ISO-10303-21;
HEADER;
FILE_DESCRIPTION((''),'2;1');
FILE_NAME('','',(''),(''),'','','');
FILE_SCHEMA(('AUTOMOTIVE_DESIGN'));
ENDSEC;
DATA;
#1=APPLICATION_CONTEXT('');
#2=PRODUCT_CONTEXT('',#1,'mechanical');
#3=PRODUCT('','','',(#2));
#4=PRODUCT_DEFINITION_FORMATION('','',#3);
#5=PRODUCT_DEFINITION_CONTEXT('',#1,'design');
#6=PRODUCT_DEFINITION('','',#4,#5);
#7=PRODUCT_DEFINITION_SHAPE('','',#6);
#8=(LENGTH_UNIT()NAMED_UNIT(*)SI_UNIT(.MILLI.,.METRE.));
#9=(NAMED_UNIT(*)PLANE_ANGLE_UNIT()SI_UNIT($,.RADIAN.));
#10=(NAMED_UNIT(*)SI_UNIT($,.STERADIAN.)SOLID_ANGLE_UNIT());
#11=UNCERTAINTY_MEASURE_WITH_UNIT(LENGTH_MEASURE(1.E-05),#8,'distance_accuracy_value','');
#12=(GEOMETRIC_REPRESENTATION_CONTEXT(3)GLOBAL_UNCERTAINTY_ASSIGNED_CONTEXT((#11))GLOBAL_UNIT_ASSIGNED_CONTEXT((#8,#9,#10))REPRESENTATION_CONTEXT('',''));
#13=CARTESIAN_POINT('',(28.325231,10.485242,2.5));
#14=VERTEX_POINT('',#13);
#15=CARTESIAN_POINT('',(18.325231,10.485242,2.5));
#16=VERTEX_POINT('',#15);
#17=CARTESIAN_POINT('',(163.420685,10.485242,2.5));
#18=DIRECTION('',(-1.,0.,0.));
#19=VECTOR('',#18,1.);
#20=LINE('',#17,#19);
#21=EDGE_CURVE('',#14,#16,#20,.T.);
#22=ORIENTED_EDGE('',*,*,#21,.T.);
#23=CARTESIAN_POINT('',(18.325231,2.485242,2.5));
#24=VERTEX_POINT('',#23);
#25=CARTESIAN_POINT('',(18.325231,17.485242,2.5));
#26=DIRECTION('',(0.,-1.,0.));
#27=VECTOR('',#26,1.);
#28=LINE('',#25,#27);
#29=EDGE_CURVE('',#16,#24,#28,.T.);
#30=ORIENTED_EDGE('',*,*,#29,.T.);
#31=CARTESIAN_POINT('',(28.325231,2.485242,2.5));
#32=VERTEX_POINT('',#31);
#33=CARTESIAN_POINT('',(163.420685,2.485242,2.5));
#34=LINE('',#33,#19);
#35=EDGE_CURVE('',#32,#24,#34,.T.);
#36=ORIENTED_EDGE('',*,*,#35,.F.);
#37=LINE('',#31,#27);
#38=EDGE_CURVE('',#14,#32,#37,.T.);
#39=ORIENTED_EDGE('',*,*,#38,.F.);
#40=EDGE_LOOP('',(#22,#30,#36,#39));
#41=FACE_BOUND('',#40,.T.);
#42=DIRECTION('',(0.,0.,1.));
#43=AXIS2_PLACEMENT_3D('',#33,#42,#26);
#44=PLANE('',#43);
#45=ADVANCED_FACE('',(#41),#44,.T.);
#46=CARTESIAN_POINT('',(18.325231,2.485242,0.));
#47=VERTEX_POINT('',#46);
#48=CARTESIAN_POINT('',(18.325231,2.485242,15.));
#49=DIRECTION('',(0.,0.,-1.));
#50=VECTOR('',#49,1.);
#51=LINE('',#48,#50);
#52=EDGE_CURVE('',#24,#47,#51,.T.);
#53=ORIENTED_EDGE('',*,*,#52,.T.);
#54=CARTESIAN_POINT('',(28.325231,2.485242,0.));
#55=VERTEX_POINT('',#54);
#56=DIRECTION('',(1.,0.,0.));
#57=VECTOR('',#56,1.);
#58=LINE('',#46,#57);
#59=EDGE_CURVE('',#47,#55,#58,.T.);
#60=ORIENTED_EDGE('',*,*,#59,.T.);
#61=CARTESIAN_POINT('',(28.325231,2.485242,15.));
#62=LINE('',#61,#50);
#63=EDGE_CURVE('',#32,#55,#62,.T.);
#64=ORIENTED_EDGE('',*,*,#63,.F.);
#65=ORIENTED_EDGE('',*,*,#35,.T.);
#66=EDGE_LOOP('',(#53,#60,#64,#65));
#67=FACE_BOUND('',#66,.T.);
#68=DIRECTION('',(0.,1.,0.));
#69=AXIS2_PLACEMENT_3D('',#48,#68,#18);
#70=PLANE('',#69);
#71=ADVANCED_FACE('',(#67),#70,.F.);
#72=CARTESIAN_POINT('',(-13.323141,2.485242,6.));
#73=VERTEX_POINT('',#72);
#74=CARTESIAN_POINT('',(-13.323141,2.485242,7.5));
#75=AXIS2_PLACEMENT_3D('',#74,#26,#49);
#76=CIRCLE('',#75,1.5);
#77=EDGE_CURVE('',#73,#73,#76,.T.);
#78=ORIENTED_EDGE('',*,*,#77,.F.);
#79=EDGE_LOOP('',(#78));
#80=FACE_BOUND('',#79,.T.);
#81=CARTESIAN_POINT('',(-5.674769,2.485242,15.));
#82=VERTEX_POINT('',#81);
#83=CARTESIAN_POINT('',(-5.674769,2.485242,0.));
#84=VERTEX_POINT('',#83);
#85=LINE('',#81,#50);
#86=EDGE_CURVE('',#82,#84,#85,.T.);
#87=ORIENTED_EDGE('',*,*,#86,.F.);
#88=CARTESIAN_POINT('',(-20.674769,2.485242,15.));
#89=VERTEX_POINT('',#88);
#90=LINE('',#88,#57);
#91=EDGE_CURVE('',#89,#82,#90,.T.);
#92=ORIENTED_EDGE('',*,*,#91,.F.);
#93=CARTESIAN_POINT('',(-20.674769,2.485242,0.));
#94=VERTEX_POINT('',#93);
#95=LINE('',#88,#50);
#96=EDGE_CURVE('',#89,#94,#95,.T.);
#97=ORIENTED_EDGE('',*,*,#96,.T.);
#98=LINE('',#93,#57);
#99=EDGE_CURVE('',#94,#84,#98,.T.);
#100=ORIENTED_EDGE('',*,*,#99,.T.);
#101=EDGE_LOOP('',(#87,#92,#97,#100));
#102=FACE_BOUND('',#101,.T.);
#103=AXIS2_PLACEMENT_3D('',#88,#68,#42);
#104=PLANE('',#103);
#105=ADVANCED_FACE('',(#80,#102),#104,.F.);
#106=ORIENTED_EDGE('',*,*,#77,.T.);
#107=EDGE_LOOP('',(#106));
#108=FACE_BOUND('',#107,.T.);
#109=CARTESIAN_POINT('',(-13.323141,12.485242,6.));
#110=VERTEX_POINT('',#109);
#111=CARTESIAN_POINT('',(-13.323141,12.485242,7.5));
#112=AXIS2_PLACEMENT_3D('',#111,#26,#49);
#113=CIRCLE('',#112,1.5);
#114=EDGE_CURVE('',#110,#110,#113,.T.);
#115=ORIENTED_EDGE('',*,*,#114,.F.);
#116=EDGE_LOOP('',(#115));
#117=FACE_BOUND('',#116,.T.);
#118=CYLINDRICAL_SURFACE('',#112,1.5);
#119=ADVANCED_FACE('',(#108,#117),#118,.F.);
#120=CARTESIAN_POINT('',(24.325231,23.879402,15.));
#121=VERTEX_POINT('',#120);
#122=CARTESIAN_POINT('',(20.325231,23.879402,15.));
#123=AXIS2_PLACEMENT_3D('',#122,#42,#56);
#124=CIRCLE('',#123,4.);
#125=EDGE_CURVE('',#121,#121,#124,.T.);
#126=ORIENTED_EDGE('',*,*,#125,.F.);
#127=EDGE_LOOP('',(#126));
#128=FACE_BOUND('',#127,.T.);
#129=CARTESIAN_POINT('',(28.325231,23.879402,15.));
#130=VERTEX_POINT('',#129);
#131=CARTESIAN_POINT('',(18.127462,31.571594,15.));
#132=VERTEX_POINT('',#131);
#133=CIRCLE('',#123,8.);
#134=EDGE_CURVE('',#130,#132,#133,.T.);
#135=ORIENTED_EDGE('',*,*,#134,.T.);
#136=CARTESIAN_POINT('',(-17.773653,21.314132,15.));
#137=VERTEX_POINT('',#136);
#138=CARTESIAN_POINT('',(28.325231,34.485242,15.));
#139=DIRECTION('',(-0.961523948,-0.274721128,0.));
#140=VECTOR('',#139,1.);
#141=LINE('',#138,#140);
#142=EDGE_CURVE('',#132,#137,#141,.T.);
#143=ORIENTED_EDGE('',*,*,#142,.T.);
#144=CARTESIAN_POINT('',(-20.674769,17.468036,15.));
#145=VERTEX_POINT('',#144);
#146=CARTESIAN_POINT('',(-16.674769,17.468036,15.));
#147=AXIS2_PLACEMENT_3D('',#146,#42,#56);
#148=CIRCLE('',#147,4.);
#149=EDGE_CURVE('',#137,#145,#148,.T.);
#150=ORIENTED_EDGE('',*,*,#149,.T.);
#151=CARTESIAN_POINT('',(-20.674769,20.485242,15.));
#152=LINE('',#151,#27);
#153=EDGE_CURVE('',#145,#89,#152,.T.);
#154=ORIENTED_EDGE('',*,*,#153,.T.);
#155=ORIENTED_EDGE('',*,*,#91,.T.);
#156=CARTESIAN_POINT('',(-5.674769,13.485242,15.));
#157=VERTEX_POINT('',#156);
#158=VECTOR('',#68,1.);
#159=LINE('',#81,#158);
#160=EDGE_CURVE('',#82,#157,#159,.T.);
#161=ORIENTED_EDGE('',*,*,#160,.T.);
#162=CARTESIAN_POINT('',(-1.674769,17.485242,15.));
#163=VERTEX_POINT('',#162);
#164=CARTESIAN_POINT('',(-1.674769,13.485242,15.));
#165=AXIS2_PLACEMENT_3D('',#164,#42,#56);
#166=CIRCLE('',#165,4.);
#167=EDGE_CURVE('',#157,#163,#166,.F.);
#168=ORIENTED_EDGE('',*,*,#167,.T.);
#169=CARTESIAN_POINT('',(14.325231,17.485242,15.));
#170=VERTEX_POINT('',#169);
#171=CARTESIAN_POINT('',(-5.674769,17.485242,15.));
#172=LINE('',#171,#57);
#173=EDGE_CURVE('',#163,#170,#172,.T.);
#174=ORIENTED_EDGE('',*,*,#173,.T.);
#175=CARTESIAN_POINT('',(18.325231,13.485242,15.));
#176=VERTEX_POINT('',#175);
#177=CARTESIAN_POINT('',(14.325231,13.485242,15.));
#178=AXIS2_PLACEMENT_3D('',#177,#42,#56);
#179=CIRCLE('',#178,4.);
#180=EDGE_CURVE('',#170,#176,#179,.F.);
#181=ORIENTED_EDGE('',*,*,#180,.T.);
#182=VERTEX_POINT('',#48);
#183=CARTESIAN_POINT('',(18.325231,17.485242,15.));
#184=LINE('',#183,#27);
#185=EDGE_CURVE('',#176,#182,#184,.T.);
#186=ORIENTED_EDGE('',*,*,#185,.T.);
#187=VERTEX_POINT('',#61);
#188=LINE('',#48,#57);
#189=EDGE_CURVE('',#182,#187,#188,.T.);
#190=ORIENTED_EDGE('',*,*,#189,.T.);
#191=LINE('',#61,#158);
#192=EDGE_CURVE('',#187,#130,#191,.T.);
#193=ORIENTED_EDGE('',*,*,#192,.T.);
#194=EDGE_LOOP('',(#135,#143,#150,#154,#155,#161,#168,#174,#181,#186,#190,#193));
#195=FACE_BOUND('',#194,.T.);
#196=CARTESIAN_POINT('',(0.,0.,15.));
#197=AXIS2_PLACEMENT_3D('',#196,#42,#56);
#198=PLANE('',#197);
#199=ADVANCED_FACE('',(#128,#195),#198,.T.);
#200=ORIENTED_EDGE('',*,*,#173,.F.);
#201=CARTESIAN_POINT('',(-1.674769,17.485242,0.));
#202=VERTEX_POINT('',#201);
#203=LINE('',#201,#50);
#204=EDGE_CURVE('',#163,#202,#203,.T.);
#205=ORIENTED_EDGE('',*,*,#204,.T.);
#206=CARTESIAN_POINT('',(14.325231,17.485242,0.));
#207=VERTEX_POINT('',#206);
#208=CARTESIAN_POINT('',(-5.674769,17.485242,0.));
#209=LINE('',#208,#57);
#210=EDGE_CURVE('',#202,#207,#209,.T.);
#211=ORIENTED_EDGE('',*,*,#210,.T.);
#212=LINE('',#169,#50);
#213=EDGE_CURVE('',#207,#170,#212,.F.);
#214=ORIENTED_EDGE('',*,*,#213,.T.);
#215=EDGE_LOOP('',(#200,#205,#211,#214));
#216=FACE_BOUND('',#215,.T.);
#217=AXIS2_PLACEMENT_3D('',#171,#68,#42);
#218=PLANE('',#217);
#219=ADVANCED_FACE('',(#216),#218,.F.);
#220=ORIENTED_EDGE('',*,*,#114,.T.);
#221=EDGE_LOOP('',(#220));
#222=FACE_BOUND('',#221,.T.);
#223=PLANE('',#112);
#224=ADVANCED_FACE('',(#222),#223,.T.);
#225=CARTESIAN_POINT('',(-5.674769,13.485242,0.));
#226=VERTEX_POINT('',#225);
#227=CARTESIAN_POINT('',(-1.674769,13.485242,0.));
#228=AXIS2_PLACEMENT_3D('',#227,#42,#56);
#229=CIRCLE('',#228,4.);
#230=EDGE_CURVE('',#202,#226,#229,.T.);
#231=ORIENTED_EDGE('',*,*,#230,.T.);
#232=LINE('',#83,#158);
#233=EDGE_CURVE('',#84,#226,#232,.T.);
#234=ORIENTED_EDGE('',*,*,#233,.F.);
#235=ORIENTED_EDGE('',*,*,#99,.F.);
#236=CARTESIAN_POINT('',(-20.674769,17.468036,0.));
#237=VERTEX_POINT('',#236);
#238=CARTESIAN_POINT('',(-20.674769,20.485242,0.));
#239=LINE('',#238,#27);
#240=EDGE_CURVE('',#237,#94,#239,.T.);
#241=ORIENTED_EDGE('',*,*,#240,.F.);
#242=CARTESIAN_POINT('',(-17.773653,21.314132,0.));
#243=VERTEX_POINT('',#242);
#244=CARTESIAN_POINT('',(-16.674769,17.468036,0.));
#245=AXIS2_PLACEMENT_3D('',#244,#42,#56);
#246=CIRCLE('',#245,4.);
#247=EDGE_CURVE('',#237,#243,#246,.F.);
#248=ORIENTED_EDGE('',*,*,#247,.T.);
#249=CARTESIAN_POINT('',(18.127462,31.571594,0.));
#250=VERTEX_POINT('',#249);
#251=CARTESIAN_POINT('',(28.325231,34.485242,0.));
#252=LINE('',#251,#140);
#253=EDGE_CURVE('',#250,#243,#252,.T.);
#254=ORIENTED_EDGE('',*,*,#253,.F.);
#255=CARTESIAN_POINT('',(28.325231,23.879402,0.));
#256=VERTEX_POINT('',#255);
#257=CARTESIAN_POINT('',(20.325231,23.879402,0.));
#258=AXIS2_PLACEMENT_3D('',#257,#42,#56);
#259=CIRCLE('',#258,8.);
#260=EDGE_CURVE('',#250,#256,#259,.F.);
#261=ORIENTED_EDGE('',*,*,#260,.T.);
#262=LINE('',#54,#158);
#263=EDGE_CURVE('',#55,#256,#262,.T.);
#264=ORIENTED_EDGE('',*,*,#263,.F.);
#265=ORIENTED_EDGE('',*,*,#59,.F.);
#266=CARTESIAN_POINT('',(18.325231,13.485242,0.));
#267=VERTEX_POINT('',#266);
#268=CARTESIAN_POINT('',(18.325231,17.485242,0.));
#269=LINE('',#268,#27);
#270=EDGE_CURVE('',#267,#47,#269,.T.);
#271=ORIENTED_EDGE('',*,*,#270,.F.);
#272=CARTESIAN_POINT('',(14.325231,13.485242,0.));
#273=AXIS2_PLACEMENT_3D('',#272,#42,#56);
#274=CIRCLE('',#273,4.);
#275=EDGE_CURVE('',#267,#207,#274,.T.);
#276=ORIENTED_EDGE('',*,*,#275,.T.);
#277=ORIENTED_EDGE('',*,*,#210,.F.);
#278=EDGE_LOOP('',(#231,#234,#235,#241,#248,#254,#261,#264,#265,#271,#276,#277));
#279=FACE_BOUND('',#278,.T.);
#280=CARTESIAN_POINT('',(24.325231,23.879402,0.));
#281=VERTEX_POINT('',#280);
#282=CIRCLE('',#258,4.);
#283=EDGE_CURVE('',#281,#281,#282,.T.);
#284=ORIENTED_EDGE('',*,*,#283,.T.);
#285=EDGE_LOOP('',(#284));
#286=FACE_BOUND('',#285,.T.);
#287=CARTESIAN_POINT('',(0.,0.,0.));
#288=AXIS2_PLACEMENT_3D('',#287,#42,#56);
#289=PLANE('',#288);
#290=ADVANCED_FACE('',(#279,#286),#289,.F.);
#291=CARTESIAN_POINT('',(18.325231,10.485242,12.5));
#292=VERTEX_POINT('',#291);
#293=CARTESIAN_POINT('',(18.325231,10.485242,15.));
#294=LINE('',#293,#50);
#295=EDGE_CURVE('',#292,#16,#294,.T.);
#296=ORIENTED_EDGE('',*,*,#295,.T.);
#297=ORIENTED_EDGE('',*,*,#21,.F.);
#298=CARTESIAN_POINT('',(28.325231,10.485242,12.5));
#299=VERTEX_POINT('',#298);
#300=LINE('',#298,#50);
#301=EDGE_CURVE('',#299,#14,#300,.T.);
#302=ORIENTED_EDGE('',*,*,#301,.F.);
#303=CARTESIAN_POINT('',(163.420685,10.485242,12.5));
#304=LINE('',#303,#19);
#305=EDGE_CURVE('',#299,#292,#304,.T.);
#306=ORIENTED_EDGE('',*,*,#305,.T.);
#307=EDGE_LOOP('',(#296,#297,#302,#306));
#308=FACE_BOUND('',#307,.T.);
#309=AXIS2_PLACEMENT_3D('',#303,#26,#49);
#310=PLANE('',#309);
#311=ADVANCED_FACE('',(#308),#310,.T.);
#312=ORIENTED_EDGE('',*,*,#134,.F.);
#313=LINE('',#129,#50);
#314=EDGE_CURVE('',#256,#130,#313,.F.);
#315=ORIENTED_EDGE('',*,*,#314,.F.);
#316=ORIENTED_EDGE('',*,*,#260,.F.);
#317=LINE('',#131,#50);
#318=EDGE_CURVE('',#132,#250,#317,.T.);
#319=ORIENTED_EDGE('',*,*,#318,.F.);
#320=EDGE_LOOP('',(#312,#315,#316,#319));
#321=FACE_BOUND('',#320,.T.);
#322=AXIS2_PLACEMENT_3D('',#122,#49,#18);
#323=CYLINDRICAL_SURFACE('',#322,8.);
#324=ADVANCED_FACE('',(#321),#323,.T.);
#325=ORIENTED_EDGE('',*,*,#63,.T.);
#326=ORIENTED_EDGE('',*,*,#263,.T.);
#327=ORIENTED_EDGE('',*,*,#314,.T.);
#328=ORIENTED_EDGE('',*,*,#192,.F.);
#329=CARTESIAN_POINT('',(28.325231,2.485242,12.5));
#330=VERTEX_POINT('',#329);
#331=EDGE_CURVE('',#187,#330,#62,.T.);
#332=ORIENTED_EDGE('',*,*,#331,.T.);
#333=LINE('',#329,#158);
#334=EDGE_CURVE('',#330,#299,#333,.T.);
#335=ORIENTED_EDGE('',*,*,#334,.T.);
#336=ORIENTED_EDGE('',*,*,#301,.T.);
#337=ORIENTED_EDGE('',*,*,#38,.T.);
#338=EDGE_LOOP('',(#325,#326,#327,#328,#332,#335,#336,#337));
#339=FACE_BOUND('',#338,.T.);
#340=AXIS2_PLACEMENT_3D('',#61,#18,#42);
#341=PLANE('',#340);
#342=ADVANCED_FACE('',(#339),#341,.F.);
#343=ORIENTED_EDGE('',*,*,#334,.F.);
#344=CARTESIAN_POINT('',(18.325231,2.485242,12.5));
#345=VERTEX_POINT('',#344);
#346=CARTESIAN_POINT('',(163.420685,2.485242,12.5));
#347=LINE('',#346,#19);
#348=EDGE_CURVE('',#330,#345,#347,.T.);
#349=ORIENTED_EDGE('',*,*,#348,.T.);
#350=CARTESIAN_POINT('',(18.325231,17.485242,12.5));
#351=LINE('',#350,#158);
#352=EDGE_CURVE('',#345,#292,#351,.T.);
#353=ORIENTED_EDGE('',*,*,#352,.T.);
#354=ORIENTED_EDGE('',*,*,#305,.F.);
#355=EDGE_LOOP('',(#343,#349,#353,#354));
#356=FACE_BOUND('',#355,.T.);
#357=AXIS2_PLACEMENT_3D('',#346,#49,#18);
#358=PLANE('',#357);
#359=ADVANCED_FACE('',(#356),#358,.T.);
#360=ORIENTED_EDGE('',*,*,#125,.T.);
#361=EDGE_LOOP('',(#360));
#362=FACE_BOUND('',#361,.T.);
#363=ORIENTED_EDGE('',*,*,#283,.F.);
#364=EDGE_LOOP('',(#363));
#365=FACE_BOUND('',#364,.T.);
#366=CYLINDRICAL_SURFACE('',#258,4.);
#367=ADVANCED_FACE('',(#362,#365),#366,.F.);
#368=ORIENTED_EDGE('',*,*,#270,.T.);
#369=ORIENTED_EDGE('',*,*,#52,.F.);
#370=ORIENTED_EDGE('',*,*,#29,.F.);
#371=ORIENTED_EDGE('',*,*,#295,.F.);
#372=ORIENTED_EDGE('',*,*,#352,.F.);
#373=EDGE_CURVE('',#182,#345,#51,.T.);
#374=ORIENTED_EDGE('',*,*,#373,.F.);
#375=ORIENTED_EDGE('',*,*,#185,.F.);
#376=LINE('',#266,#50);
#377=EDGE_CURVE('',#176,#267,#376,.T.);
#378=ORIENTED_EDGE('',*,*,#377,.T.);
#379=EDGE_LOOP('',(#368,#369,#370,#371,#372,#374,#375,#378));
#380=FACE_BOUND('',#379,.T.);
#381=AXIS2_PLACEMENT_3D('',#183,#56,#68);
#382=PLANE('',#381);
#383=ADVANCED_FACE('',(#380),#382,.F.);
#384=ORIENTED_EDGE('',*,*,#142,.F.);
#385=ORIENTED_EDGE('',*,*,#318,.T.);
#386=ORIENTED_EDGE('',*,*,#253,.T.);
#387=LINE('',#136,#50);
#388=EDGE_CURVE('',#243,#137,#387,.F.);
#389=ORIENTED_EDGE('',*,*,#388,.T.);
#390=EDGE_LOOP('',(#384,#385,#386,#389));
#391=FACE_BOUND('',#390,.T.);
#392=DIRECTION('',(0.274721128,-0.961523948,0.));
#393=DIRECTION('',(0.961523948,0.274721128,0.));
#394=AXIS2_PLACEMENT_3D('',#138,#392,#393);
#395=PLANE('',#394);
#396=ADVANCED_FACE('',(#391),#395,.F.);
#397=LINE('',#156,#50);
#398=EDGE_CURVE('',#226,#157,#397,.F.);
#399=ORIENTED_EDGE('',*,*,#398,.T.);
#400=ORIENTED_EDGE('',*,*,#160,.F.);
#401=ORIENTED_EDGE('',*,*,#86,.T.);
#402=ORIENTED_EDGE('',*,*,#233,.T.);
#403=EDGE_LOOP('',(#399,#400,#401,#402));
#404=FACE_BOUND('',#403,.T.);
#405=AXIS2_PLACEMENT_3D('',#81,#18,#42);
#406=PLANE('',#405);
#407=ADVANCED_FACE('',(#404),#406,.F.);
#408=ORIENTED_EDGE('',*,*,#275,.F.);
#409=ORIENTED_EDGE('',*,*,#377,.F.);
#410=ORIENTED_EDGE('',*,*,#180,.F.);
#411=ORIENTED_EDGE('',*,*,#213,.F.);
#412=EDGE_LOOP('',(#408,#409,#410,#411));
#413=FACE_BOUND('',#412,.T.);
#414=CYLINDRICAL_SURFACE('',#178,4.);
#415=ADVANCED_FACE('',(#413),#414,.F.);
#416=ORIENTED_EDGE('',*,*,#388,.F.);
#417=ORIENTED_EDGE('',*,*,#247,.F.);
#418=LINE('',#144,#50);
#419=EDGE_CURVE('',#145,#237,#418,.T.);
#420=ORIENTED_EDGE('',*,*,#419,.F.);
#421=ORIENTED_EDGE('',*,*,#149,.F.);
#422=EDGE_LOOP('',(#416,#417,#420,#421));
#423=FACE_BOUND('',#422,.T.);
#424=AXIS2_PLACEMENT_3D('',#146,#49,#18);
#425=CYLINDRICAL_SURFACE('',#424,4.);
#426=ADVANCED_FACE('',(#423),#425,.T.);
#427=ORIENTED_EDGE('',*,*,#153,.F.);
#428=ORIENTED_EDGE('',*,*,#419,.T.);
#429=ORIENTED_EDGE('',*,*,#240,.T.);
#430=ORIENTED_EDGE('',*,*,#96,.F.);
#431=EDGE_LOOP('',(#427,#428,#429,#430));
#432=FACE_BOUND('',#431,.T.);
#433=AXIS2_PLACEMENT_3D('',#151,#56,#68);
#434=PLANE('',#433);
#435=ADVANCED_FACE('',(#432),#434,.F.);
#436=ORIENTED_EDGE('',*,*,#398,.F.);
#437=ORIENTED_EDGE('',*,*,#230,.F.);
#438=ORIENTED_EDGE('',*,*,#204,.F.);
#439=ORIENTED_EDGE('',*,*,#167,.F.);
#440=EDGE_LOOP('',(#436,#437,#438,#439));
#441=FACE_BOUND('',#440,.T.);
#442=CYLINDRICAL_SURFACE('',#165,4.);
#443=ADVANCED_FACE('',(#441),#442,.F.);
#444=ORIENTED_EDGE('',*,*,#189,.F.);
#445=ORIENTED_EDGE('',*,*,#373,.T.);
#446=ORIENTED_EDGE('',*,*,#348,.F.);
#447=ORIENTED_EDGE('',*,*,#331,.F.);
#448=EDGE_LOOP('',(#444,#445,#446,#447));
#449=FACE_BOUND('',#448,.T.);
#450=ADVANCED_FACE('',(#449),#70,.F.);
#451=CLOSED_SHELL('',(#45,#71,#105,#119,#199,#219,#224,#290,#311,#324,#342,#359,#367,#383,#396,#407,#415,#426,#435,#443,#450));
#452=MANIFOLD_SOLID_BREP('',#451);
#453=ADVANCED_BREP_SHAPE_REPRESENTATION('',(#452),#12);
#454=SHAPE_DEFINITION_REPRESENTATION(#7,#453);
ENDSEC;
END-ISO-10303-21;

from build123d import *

# Parameters (mm, degrees)
EXTRUDE_1_DEPTH          = 15
FILLET_1_R               = 8
FILLET_2_R               = 4
SKETCH_2_R               = 4
CUT_EXTRUDE_1_DEPTH      = 46.20636026
FILLET_3_R               = 4
FILLET_4_R               = 4
SKETCH_3_R               = 1.5
CUT_EXTRUDE_2_DEPTH      = 10
CUT_EXTRUDE_3_DEPTH      = 61.351439793
CUT_EXTRUDE_3_DEPTH_BACK = 20
SKETCH_4_W               = 10
SKETCH_4_H               = 8


with BuildPart() as part:
    # 草图1 → 凸台-拉伸1 (new body)
    with BuildSketch(Plane.XY):
        Polygon((-20.674768795, 2.485242081), (-5.674768795, 2.485242081), (-5.674768795, 17.485242081), (18.325231205, 17.485242081), (18.325231205, 2.485242081), (28.325231205, 2.485242081), (28.325231205, 34.485242081), (-20.674768795, 20.485242081), align=None)
    extrude(amount=EXTRUDE_1_DEPTH)

    # 圆角1
    fillet_1_edges = [part.edges().sort_by_distance(p)[0] for p in [
        (28.325231205, 34.485242081, 7.5),
    ]]
    fillet(fillet_1_edges, radius=FILLET_1_R)

    # 圆角2
    fillet_2_edges = [part.edges().sort_by_distance(p)[0] for p in [
        (-20.674768795, 20.485242081, 7.5),
    ]]
    fillet(fillet_2_edges, radius=FILLET_2_R)

    # 草图2 → 切除-拉伸1 (cut, through all)
    with BuildSketch(Plane.XY.offset(15)):
        with Locations((20.325231205, 23.879402207)):
            Circle(SKETCH_2_R)
    extrude(amount=-CUT_EXTRUDE_1_DEPTH, mode=Mode.SUBTRACT)

    # 圆角3
    fillet_3_edges = [part.edges().sort_by_distance(p)[0] for p in [
        (-5.674768795, 17.485242081, 7.5),
    ]]
    fillet(fillet_3_edges, radius=FILLET_3_R)

    # 圆角4
    fillet_4_edges = [part.edges().sort_by_distance(p)[0] for p in [
        (18.325231205, 17.485242081, 7.5),
    ]]
    fillet(fillet_4_edges, radius=FILLET_4_R)

    # 草图3 → 切除-拉伸2 (cut)
    with BuildSketch(Plane.XZ.offset(-2.485242081)):
        with Locations(Location((-13.323141104, 7.5, 0), (0, 0, 270))):
            Circle(SKETCH_3_R)
    extrude(amount=-CUT_EXTRUDE_2_DEPTH, mode=Mode.SUBTRACT)

    # 草图4 → 切除-拉伸3 (cut, two sides: drawn at the far end of the back side and taken through both)
    with BuildSketch(Plane(origin=(28.325231205, 0, 0), x_dir=(0, 0, -1), z_dir=(1, 0, 0)).offset(-CUT_EXTRUDE_3_DEPTH_BACK)):
        with Locations((-7.5, 6.485242081)):
            Rectangle(SKETCH_4_W, SKETCH_4_H)
    extrude(amount=CUT_EXTRUDE_3_DEPTH + CUT_EXTRUDE_3_DEPTH_BACK, mode=Mode.SUBTRACT)


solid = part.part
